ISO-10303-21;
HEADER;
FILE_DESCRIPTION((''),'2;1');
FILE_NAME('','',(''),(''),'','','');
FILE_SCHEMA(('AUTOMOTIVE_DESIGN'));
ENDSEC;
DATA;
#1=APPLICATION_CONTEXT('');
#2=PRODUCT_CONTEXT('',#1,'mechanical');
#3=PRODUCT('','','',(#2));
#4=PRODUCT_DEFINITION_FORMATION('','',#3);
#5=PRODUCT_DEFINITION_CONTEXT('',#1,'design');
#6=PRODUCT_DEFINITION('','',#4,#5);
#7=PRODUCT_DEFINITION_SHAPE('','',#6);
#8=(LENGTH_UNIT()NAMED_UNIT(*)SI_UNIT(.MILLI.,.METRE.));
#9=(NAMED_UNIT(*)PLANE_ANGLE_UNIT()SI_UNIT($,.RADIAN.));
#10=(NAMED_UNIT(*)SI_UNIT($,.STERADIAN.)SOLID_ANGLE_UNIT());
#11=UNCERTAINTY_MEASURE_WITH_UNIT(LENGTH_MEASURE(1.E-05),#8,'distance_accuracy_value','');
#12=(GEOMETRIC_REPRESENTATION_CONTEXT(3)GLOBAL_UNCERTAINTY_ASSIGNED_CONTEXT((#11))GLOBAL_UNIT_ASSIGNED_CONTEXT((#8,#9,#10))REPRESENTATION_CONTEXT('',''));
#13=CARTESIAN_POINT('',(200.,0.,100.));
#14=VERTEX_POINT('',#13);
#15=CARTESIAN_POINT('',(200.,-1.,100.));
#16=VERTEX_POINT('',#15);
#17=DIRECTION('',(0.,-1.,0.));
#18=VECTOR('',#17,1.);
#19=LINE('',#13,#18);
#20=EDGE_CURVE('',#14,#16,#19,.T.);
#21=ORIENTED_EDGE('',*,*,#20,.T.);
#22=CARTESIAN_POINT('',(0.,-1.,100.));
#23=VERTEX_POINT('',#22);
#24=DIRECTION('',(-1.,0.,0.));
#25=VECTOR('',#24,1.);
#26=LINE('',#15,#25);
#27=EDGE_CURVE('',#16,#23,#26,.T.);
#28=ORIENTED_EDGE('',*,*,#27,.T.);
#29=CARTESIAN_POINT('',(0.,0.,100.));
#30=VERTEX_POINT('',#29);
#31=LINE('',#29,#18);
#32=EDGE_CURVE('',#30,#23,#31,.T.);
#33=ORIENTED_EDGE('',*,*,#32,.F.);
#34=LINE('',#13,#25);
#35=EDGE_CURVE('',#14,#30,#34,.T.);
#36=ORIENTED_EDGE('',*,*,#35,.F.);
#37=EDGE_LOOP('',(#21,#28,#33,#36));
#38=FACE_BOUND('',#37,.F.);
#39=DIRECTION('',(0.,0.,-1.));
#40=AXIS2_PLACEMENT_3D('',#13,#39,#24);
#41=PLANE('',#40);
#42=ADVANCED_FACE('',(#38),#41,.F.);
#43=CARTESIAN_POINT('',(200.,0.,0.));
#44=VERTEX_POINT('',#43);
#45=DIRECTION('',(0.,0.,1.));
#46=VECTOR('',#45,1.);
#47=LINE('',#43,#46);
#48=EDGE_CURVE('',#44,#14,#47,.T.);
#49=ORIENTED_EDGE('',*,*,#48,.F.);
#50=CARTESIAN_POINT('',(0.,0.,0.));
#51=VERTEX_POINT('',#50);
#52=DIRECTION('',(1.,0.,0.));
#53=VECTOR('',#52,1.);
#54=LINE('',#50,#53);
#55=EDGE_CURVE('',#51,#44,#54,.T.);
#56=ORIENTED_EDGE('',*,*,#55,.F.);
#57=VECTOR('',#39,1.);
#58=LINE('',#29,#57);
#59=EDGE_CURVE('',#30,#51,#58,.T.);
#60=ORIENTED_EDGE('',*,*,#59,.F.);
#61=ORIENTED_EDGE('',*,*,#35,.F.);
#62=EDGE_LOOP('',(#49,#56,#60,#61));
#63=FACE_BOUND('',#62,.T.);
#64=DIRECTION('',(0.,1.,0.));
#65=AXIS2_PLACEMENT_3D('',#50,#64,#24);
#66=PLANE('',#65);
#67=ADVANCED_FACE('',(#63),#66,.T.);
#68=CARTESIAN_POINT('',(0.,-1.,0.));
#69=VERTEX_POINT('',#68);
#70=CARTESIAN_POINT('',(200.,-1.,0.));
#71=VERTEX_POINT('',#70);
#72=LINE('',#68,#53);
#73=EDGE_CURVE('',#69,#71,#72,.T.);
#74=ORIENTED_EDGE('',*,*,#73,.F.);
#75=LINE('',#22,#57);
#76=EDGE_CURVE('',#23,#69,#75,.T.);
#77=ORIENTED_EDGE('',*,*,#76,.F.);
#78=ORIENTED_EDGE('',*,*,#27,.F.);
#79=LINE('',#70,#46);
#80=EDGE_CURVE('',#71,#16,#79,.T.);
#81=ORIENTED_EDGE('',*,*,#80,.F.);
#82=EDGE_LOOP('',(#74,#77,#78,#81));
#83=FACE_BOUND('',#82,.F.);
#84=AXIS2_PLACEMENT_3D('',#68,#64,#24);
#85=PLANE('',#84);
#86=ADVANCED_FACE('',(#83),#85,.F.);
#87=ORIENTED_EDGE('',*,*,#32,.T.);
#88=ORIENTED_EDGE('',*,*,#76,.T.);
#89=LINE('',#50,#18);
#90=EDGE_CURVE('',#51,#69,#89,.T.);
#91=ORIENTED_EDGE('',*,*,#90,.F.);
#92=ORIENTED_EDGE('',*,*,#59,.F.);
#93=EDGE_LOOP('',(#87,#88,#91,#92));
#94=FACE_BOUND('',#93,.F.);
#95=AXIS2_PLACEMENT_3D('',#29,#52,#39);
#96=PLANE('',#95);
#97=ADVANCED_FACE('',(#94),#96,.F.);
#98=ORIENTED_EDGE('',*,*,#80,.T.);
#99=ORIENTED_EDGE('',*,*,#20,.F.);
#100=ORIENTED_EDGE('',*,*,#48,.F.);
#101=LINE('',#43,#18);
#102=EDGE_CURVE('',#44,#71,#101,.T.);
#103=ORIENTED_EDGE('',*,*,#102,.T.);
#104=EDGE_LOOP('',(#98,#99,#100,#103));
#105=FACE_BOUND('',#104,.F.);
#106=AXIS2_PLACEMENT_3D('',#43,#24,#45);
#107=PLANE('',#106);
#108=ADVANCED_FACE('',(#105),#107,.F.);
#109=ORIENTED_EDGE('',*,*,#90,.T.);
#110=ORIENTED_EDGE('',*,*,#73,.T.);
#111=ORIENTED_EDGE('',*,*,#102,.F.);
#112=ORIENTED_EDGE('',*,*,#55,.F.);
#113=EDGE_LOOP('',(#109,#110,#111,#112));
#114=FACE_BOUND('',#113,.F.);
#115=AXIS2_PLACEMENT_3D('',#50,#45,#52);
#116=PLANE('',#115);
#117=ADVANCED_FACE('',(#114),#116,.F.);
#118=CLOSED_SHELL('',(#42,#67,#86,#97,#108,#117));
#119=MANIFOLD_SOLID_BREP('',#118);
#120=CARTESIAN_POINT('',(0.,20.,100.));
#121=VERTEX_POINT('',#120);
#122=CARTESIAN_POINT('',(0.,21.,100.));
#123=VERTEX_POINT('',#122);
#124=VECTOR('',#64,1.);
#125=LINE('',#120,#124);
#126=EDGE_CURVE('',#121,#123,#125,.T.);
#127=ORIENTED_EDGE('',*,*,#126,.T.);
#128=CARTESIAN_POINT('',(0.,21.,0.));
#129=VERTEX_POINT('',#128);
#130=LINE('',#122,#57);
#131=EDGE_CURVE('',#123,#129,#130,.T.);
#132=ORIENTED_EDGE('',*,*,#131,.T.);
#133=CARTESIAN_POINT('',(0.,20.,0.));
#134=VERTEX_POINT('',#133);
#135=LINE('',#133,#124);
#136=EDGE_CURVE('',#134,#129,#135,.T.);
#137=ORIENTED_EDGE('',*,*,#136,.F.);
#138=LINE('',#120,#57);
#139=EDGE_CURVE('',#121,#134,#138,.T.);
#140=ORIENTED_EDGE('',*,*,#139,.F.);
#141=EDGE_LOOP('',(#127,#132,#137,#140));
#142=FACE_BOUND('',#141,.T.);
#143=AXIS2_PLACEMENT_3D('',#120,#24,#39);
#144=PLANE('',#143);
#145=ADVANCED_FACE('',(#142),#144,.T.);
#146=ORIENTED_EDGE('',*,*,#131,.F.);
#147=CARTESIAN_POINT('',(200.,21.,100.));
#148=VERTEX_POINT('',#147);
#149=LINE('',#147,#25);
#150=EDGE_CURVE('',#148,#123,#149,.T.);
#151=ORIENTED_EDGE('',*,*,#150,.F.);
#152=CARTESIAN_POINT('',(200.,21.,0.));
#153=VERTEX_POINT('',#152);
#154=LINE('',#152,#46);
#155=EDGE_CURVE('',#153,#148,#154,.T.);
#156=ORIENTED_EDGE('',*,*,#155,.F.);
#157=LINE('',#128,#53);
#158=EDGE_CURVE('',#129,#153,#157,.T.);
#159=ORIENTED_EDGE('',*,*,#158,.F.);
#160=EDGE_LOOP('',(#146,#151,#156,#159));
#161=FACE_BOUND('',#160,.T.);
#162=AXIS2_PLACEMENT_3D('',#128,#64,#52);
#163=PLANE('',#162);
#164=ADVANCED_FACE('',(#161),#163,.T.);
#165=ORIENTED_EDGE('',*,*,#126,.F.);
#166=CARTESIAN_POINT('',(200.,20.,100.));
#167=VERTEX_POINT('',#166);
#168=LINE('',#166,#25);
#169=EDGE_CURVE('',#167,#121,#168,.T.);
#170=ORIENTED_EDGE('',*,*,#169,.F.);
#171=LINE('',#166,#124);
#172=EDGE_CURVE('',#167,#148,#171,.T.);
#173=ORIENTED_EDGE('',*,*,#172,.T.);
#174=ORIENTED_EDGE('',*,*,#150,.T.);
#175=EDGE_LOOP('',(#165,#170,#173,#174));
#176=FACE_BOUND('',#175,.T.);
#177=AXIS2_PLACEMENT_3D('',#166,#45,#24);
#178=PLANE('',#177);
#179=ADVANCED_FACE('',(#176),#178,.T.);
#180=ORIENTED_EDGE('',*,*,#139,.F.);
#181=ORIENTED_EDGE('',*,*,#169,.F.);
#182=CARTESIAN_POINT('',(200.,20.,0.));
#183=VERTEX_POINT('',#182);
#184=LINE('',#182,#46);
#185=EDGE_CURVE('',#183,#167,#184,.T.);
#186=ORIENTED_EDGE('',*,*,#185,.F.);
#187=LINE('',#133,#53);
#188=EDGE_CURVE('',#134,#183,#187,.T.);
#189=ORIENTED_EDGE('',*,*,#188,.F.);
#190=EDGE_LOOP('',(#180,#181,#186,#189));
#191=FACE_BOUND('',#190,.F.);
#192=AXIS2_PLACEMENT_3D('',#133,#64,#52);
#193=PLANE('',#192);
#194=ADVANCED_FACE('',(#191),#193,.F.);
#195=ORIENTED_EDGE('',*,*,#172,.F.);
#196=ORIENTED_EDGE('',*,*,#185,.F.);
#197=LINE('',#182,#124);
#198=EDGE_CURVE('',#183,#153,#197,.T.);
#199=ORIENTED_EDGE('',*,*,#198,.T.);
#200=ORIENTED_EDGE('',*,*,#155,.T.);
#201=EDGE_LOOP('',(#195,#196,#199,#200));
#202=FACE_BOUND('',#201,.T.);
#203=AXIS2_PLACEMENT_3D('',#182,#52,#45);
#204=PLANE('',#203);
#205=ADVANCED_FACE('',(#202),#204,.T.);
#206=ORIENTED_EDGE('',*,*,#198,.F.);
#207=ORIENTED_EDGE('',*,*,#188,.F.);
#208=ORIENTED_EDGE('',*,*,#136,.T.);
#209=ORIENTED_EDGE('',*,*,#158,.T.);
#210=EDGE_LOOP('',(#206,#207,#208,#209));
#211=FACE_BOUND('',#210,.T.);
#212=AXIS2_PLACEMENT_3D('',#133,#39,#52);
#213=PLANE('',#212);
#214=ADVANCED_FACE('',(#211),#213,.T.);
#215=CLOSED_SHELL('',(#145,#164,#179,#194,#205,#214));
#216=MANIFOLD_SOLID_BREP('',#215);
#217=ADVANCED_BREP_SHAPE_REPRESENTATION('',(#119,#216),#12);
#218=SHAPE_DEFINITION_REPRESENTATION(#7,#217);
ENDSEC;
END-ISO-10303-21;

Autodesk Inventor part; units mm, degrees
ref_plane "YZ Plane" through (0, 0, 0) normal (1, 0, 0) x (0, 1, 0)
ref_plane "XZ Plane" through (0, 0, 0) normal (0, 1, 0) x (-1, 0, 0)
sketch "Sketch1" plane through (0, 0, 0) normal (0, 1, 0) x (-1, 0, 0)
  line L0 (0, 0) -> (-200, 0)
  line L1 (-200, 0) -> (-200, 100)
  line L2 (-200, 100) -> (0, 100)
  line L3 (0, 100) -> (0, 0)
  dimension "d0" = 100
  dimension "d1" = 200
extrude "Extrusion1" add sketch "Sketch1" against normal blind 1
ref_plane "Work Plane1" through (0, 20, 0) normal (0, 1, 0) x (1, 0, 0)
sketch "Sketch2" plane through (0, 20, 0) normal (0, 1, 0) x (1, 0, 0)
  line L0 (0, -100) -> (0, 0) projected
  line L1 (0, 0) -> (200, 0)
  line L2 (200, 0) -> (200, -100)
  line L3 (200, -100) -> (0, -100)
  line L4 (0, -100) -> (0, 0)
  dimension "d5" = 100
  dimension "d6" = 200
extrude "Extrusion2" add sketch "Sketch2" along normal blind 1
properties part number "walls_xy"
